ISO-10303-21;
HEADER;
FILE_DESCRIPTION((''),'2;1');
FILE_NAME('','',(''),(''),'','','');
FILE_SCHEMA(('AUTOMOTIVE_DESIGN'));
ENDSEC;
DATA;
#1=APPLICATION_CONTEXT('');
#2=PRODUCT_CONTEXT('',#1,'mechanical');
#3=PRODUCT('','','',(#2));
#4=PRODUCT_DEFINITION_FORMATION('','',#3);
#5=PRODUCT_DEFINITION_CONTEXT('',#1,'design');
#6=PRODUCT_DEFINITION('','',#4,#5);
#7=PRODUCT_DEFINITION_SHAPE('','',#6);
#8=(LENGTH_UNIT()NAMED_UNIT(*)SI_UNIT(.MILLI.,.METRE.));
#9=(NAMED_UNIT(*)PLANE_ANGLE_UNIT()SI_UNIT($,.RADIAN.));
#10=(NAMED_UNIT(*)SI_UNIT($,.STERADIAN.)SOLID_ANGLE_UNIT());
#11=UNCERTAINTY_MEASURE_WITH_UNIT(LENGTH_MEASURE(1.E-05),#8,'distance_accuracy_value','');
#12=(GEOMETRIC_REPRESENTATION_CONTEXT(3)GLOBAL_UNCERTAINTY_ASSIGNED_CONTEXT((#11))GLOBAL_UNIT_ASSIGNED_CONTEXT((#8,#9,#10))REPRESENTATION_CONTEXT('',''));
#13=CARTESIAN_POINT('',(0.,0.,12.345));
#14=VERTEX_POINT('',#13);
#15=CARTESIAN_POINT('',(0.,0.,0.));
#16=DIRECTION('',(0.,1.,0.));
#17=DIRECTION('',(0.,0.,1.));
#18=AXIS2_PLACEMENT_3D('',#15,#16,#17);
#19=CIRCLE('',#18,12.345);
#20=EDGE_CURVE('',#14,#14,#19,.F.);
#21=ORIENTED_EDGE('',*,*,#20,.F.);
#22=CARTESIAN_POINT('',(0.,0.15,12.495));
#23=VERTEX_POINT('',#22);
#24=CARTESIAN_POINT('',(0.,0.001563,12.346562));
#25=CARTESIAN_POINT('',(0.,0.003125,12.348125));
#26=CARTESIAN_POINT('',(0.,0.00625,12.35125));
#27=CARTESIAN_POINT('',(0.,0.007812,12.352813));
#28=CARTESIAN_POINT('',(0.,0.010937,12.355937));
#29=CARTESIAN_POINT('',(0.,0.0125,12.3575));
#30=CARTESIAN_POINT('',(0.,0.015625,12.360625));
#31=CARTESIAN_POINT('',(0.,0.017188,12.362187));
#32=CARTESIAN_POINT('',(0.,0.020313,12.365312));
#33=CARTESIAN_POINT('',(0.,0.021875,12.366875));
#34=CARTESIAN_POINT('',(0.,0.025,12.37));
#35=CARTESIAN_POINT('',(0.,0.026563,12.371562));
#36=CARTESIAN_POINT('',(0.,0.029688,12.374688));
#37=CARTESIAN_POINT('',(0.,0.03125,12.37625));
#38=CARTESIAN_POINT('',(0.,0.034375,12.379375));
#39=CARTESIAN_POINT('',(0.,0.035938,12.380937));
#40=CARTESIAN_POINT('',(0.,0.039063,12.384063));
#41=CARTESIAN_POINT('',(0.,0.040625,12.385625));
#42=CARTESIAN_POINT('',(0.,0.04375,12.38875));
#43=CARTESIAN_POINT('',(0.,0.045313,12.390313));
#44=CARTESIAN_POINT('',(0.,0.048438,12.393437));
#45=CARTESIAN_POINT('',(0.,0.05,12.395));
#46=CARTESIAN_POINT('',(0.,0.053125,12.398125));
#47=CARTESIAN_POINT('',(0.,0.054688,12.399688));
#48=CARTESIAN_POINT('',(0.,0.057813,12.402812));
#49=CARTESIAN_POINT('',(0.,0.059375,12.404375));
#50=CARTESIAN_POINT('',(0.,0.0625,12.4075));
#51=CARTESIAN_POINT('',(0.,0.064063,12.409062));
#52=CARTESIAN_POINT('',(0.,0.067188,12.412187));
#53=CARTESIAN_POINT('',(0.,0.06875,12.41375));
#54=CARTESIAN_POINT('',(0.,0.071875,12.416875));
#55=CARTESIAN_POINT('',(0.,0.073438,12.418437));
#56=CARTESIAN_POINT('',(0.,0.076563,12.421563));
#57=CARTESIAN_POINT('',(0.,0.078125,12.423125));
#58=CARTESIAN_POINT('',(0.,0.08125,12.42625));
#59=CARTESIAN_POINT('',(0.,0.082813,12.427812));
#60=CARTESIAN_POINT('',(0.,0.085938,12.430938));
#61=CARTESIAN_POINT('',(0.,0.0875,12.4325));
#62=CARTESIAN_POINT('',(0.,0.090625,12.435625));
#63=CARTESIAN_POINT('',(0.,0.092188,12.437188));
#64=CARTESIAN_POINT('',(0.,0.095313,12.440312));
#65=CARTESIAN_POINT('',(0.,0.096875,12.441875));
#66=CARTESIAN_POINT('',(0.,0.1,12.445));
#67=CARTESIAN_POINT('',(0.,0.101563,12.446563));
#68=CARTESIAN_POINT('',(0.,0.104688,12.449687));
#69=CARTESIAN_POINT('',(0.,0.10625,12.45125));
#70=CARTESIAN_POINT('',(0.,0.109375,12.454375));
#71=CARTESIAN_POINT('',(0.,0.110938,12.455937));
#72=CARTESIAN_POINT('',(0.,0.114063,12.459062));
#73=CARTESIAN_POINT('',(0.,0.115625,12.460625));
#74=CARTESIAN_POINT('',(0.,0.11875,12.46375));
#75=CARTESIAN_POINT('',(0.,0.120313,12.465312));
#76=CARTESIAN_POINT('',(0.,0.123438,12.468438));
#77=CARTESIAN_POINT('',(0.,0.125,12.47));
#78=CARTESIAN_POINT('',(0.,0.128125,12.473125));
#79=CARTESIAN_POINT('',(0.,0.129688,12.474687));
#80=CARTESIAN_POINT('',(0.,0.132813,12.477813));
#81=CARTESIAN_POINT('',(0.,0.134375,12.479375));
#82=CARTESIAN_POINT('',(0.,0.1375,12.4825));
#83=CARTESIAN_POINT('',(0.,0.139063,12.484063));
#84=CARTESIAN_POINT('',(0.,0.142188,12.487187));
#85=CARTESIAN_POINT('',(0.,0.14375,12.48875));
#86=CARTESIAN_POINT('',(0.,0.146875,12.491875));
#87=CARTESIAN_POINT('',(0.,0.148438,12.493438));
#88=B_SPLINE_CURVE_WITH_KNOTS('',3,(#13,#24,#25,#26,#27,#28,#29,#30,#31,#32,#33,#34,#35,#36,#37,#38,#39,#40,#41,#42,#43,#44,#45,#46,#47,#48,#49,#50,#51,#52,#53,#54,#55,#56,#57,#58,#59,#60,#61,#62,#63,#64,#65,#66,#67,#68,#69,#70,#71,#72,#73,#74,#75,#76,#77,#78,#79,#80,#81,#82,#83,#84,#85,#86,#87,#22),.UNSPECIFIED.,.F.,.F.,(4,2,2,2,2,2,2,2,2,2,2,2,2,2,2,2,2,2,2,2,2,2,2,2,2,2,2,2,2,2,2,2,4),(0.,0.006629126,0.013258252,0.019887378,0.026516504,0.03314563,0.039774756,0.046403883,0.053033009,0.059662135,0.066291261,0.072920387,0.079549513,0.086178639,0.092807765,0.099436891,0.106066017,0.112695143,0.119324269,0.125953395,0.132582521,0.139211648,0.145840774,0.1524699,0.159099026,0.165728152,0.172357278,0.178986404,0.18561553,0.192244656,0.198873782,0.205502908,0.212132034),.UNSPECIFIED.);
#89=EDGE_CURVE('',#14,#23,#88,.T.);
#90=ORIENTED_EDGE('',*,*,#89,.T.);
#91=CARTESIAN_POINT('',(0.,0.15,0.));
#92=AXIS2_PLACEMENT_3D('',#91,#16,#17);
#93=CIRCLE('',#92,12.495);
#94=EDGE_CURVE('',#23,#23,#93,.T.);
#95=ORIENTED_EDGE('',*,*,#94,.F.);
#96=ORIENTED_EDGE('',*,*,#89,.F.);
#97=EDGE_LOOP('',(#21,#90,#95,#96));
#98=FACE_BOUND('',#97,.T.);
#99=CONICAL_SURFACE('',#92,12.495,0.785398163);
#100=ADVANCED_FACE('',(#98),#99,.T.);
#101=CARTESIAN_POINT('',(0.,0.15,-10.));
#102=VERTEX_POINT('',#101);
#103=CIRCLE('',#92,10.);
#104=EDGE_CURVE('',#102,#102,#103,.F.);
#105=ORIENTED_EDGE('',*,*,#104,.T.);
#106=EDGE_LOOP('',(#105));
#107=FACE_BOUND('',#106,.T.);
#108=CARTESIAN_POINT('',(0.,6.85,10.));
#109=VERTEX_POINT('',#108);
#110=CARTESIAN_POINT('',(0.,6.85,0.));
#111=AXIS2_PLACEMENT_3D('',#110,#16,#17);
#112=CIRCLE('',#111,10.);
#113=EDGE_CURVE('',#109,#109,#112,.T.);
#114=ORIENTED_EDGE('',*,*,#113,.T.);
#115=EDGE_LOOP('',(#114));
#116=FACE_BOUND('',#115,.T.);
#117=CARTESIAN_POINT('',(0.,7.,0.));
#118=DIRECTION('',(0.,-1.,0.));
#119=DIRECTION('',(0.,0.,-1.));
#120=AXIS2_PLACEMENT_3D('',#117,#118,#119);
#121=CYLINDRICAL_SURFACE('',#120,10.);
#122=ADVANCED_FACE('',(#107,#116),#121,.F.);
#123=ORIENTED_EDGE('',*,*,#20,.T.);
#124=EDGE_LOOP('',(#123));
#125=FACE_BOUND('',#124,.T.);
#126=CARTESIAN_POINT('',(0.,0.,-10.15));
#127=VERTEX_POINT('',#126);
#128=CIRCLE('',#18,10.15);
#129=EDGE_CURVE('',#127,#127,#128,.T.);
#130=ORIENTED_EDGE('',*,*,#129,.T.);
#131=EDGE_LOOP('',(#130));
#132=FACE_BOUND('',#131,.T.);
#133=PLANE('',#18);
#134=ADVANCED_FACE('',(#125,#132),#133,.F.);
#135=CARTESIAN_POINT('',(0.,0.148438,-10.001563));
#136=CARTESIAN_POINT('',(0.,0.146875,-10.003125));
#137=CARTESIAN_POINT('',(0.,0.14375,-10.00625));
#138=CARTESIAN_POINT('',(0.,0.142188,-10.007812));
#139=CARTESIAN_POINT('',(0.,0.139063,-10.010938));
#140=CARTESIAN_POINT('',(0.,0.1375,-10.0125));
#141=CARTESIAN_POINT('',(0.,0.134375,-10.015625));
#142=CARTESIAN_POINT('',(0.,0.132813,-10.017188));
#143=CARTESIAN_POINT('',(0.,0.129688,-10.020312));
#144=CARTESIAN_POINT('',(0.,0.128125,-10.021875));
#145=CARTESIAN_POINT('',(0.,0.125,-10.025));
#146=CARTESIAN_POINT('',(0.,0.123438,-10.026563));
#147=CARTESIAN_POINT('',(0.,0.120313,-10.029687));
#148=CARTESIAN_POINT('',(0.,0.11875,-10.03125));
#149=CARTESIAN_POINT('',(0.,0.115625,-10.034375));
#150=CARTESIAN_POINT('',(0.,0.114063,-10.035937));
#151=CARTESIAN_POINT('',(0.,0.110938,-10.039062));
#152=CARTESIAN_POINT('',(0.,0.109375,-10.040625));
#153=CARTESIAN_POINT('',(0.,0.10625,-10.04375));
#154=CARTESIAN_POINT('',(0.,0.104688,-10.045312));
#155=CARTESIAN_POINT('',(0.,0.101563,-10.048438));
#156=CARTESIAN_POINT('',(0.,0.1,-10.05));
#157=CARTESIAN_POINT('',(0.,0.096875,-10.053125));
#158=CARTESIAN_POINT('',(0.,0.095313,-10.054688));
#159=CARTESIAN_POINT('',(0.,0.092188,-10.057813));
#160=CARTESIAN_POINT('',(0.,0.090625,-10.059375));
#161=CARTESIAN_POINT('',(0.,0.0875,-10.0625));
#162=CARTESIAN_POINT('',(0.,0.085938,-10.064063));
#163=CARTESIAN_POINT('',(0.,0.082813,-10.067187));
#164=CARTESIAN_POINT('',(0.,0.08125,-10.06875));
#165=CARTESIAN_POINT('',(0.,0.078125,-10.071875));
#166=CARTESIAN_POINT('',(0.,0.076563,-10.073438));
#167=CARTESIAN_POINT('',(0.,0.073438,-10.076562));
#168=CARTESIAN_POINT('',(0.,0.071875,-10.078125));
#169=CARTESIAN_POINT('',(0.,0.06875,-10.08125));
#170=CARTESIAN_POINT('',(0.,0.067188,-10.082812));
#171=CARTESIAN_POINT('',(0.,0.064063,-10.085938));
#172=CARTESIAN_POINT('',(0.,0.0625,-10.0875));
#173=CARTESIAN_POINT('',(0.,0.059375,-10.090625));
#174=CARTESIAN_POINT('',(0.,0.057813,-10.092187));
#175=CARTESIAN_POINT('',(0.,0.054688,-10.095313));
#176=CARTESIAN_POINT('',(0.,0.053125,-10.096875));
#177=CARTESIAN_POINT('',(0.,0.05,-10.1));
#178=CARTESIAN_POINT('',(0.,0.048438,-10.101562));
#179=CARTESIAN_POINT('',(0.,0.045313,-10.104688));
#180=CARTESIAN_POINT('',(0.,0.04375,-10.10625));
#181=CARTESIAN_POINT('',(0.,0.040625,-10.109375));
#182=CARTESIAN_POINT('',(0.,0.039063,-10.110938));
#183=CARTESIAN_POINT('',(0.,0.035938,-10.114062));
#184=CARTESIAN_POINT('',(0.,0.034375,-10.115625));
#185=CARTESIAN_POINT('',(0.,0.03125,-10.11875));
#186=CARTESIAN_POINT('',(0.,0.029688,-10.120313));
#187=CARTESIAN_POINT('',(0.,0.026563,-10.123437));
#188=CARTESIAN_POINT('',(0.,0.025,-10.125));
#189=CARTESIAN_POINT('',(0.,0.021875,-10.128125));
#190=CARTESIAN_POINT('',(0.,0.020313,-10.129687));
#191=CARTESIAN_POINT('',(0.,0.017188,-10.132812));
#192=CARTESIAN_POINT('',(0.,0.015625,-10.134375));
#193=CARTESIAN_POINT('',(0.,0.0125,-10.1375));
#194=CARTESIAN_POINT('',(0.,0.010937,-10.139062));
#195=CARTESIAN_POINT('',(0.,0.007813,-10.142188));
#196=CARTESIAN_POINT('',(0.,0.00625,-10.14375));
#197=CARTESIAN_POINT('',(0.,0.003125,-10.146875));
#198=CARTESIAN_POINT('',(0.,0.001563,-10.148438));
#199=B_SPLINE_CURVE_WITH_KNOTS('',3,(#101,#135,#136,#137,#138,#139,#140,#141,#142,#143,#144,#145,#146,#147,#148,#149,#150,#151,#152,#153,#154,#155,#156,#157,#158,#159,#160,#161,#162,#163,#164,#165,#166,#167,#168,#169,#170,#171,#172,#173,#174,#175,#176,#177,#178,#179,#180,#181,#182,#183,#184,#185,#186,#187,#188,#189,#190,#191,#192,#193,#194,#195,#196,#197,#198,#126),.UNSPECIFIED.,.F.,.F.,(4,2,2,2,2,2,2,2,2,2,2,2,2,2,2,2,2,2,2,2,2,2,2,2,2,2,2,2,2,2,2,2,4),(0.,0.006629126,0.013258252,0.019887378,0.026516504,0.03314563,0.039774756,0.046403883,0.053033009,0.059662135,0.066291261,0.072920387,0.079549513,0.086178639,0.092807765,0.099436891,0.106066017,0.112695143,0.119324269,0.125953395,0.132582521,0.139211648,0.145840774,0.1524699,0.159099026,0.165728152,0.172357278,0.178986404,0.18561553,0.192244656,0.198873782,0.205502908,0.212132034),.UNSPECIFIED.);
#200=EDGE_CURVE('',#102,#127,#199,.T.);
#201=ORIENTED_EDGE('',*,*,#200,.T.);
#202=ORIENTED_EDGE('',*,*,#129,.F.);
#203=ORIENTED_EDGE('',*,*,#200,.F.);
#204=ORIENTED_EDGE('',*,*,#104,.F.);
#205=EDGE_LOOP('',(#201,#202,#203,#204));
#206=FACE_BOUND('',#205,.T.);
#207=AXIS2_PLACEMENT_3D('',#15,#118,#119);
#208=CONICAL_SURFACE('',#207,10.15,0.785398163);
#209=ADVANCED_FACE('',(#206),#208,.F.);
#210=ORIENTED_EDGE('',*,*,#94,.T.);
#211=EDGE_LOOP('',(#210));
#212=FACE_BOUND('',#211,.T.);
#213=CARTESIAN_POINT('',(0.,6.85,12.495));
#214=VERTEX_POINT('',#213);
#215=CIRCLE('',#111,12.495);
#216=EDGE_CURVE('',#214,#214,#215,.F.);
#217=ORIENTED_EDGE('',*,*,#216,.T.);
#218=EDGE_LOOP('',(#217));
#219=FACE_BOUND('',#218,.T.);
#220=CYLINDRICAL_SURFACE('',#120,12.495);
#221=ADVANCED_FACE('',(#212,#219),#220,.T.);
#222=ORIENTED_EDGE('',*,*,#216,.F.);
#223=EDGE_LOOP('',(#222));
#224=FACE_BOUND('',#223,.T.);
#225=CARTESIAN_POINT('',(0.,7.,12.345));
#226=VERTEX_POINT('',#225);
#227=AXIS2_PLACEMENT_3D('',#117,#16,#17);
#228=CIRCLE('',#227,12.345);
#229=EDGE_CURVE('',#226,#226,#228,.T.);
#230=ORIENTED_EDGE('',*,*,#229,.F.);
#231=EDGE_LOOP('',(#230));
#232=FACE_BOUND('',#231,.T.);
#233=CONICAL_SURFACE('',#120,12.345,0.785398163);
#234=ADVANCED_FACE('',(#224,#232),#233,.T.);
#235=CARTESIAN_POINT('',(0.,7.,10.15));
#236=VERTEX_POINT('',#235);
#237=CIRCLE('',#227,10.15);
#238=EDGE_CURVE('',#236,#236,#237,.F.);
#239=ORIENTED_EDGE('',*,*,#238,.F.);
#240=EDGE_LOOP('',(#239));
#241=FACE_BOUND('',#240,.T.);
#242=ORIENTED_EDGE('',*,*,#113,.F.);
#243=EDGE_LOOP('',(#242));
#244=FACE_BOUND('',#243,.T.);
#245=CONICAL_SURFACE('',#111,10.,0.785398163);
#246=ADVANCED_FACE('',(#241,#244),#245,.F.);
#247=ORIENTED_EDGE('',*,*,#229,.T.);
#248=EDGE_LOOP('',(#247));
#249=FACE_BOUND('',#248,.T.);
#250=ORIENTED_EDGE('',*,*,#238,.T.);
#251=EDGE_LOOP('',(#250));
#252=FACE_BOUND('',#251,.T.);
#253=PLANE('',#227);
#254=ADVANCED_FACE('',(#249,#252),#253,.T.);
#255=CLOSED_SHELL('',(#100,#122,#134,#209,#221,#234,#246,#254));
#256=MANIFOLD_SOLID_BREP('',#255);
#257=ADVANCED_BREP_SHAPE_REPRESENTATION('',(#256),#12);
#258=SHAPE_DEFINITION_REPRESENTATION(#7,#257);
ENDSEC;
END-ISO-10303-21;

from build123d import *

# Parameters (mm, degrees)
SKETCH1_R           = 12.495
SKETCH1_R_2         = 10
BOSS_EXTRUDE1_DEPTH = 7
CHAMFER1_SIZE       = 0.15


with BuildPart() as part:
    # Sketch1 → Boss-Extrude1 (new body)
    with BuildSketch(Plane(origin=(0, 0, 0), x_dir=(1, 0, 0), z_dir=(0, 1, 0))):
        with Locations(Location((0, 0, 0), (0, 0, 270))):
            Circle(SKETCH1_R)
        with Locations(Location((0, 0, 0), (0, 0, 270))):
            Circle(SKETCH1_R_2, mode=Mode.SUBTRACT)
    extrude(amount=BOSS_EXTRUDE1_DEPTH)

    # Chamfer1
    chamfer1_edges = [part.edges().sort_by_distance(p)[0] for p in [
        (0, 0, -12.495),
        (0, 7, -12.495),
        (0, 0, -10),
        (0, 7, -10),
    ]]
    chamfer(chamfer1_edges, length=CHAMFER1_SIZE)


solid = part.part
